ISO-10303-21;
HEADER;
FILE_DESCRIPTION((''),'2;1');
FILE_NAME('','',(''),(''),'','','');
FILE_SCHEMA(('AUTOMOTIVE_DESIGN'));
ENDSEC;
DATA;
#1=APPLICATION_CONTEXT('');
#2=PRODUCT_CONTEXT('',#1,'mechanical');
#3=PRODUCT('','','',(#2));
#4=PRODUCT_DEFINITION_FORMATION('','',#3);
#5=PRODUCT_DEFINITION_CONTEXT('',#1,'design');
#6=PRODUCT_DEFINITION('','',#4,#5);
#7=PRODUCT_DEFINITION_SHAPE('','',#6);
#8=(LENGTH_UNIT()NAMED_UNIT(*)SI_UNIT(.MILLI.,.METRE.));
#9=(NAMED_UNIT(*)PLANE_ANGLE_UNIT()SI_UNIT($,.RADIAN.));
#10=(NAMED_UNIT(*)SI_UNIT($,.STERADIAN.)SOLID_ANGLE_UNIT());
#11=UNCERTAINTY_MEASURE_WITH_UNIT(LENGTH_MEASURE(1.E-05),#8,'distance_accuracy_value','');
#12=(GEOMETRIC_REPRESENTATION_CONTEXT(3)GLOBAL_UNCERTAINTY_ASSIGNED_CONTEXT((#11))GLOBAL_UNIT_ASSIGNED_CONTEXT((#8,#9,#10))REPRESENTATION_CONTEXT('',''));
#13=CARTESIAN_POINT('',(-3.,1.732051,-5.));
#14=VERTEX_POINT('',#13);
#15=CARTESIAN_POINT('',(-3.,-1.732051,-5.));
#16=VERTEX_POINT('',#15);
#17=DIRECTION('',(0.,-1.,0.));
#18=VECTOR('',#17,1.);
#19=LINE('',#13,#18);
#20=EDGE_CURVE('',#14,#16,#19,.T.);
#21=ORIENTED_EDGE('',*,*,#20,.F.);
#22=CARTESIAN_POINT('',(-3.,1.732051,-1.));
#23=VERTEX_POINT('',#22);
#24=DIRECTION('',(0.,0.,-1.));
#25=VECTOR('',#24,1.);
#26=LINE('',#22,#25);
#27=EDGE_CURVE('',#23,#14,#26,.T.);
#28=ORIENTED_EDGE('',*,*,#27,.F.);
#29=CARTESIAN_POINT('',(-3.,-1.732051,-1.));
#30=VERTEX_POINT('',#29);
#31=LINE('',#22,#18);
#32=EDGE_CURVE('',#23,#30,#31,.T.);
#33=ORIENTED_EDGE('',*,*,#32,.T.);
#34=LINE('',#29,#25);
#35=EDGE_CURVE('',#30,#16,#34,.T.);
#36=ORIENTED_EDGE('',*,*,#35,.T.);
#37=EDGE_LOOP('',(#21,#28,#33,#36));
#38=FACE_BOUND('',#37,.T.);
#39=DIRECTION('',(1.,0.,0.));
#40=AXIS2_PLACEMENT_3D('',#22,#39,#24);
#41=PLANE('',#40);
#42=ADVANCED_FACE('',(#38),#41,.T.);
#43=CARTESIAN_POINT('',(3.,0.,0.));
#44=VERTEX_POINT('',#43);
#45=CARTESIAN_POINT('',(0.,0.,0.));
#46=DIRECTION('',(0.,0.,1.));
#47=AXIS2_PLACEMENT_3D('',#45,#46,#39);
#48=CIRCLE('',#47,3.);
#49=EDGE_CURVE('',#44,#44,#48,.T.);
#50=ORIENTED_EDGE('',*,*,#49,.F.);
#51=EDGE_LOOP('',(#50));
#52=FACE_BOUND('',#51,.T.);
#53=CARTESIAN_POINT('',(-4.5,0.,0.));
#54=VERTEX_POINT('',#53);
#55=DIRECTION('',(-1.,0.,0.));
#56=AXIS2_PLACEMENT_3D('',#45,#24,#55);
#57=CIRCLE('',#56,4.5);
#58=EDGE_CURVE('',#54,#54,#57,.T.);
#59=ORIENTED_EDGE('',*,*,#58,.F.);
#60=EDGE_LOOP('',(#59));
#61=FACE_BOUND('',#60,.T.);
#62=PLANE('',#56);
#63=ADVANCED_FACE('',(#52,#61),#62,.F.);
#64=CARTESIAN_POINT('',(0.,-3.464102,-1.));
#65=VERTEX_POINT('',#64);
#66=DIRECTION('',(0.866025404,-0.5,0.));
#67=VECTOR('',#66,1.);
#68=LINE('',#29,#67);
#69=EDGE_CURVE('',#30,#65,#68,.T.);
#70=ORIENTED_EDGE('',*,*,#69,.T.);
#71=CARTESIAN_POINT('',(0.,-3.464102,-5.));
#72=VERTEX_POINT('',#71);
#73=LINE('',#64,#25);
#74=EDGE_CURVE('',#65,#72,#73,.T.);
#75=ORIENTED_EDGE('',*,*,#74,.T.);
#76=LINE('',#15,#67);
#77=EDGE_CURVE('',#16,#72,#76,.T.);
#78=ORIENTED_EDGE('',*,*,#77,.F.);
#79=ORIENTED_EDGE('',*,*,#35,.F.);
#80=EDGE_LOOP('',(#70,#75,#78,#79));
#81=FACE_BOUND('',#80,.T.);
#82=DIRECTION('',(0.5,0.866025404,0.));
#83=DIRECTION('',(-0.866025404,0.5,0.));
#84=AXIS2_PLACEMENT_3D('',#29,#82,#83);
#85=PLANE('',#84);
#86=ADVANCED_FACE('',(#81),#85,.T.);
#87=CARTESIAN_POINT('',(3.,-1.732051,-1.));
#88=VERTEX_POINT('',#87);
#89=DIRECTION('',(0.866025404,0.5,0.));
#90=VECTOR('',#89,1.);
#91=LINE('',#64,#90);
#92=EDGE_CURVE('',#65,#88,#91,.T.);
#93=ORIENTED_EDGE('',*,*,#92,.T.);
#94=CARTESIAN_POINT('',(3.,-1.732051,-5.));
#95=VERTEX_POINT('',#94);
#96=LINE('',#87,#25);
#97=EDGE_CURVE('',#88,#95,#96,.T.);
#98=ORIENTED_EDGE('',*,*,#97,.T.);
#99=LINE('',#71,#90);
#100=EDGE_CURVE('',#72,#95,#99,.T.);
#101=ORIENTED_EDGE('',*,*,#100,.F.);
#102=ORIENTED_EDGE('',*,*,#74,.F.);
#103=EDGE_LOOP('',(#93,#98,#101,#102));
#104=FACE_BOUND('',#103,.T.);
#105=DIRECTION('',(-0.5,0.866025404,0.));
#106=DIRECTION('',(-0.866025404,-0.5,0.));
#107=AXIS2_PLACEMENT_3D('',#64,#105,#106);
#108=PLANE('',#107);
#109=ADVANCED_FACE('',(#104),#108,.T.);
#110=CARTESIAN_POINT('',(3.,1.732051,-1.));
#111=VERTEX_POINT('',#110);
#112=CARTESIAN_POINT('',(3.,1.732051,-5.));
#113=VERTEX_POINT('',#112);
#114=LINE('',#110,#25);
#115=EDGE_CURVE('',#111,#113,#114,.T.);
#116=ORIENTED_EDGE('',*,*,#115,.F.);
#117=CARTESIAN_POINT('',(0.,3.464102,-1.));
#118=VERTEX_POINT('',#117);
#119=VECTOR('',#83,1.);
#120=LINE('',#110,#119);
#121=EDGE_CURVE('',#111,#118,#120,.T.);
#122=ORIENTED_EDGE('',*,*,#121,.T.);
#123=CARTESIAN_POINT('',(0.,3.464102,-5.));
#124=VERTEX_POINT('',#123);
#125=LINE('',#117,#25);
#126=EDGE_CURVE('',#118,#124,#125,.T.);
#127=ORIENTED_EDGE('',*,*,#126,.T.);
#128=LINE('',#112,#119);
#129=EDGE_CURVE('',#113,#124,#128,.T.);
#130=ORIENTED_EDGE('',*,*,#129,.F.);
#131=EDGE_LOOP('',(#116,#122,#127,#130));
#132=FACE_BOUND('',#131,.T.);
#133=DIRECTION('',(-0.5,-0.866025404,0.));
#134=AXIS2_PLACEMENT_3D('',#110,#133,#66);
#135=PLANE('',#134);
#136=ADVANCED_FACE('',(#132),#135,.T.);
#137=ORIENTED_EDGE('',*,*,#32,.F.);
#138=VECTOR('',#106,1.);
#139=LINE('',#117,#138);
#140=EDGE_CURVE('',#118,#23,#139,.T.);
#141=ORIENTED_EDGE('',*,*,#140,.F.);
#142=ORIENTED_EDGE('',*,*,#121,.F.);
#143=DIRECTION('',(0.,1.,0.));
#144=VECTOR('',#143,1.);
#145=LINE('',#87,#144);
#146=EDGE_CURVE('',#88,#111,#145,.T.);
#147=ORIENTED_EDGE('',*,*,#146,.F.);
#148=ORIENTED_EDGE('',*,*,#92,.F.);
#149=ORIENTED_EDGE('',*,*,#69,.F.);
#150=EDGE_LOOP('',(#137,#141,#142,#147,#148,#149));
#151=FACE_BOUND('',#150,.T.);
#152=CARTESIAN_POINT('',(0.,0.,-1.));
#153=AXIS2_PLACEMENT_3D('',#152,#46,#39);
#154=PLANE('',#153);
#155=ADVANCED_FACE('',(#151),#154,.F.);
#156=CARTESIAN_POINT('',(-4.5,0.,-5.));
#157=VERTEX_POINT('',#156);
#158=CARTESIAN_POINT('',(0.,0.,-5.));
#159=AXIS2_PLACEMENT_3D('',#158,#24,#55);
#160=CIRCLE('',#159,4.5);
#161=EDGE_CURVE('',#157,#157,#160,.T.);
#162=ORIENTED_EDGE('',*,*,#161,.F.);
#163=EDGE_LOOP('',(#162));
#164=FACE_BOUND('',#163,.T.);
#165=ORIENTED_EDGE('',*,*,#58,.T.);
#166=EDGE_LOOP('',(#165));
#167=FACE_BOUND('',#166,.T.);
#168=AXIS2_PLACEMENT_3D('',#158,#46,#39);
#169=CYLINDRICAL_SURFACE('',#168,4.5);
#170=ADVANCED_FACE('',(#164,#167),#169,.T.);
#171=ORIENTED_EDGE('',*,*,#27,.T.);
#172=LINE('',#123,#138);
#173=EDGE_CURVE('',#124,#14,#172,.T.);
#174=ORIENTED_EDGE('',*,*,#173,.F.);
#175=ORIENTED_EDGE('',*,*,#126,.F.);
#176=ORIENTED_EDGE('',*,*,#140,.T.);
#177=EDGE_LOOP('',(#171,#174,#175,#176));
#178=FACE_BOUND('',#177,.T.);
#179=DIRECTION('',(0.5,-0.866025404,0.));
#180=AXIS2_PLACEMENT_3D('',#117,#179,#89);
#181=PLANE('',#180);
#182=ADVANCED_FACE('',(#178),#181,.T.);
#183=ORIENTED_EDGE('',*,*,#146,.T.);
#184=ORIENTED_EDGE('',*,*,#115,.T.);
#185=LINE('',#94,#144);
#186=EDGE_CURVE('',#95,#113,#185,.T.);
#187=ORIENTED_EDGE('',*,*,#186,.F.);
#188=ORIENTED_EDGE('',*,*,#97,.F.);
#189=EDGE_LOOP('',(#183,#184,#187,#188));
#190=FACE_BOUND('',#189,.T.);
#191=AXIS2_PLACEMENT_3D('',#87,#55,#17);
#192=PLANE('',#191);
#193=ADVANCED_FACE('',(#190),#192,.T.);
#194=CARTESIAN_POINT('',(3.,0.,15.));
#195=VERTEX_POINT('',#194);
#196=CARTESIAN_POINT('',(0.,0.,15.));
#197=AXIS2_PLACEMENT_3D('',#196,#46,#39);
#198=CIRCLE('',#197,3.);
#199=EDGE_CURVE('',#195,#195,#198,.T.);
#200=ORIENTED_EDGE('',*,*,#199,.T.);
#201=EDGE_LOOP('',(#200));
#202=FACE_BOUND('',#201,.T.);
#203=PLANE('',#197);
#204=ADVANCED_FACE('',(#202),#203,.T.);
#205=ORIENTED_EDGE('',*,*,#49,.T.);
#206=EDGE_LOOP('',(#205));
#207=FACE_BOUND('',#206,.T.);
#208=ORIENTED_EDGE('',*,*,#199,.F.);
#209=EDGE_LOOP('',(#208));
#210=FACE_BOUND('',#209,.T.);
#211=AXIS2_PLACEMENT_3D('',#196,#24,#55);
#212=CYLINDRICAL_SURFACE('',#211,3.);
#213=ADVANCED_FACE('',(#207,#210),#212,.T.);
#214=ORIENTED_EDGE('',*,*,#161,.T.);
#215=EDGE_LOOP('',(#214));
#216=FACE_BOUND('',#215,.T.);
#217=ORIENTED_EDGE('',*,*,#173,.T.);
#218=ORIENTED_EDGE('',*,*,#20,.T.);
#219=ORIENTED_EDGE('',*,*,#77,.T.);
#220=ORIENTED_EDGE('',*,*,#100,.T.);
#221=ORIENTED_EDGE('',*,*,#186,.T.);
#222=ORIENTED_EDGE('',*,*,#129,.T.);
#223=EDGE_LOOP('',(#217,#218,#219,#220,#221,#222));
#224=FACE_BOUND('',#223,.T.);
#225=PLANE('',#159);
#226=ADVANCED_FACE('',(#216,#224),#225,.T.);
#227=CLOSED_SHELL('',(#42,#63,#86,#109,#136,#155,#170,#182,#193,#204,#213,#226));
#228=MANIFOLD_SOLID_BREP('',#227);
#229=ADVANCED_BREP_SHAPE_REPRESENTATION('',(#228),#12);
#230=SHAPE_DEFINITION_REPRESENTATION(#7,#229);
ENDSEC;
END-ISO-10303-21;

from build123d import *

# Parameters (mm, degrees)
ESQUISSE1_R                  = 3
BASE_EXTRUSION_DEPTH         = 15
ESQUISSE2_R                  = 4.5
BOSS_EXTRU_1_DEPTH           = 5
ENL_V_MAT_EXTRU_3_DEPTH      = 4
R_P_TITION_CIRCULAIRE1_COUNT = 6


with BuildPart() as part:
    # Esquisse1 → Base-Extrusion (new body)
    with BuildSketch(Plane.XY):
        Circle(ESQUISSE1_R)
    extrude(amount=BASE_EXTRUSION_DEPTH)

    # Esquisse2 → Boss.-Extru.1 (add)
    with BuildSketch(Plane(origin=(0, 0, 0), x_dir=(-1, 0, 0), z_dir=(0, 0, -1))):
        Circle(ESQUISSE2_R)
    extrude(amount=BOSS_EXTRU_1_DEPTH)

    # Esquisse3 → Enlèv. mat.-Extru.3 (cut)
    with BuildSketch(Plane(origin=(0, 0, -5), x_dir=(-1, 0, 0), z_dir=(0, 0, -1))):
        Polygon((3, 1.732050808), (0, 0), (3, -1.732050808), align=None)
    enl_v_mat_extru_3 = extrude(amount=-ENL_V_MAT_EXTRU_3_DEPTH, mode=Mode.SUBTRACT)

    # Répétition circulaire1: Enlèv. mat.-Extru.3 ×6 about axis
    r_p_tition_circulaire1_axis = Axis((0, 0, 0), (0, 0, 1))
    for i in range(1, R_P_TITION_CIRCULAIRE1_COUNT):
        add(enl_v_mat_extru_3.rotate(r_p_tition_circulaire1_axis, i * 360 / R_P_TITION_CIRCULAIRE1_COUNT), mode=Mode.SUBTRACT)


solid = part.part
